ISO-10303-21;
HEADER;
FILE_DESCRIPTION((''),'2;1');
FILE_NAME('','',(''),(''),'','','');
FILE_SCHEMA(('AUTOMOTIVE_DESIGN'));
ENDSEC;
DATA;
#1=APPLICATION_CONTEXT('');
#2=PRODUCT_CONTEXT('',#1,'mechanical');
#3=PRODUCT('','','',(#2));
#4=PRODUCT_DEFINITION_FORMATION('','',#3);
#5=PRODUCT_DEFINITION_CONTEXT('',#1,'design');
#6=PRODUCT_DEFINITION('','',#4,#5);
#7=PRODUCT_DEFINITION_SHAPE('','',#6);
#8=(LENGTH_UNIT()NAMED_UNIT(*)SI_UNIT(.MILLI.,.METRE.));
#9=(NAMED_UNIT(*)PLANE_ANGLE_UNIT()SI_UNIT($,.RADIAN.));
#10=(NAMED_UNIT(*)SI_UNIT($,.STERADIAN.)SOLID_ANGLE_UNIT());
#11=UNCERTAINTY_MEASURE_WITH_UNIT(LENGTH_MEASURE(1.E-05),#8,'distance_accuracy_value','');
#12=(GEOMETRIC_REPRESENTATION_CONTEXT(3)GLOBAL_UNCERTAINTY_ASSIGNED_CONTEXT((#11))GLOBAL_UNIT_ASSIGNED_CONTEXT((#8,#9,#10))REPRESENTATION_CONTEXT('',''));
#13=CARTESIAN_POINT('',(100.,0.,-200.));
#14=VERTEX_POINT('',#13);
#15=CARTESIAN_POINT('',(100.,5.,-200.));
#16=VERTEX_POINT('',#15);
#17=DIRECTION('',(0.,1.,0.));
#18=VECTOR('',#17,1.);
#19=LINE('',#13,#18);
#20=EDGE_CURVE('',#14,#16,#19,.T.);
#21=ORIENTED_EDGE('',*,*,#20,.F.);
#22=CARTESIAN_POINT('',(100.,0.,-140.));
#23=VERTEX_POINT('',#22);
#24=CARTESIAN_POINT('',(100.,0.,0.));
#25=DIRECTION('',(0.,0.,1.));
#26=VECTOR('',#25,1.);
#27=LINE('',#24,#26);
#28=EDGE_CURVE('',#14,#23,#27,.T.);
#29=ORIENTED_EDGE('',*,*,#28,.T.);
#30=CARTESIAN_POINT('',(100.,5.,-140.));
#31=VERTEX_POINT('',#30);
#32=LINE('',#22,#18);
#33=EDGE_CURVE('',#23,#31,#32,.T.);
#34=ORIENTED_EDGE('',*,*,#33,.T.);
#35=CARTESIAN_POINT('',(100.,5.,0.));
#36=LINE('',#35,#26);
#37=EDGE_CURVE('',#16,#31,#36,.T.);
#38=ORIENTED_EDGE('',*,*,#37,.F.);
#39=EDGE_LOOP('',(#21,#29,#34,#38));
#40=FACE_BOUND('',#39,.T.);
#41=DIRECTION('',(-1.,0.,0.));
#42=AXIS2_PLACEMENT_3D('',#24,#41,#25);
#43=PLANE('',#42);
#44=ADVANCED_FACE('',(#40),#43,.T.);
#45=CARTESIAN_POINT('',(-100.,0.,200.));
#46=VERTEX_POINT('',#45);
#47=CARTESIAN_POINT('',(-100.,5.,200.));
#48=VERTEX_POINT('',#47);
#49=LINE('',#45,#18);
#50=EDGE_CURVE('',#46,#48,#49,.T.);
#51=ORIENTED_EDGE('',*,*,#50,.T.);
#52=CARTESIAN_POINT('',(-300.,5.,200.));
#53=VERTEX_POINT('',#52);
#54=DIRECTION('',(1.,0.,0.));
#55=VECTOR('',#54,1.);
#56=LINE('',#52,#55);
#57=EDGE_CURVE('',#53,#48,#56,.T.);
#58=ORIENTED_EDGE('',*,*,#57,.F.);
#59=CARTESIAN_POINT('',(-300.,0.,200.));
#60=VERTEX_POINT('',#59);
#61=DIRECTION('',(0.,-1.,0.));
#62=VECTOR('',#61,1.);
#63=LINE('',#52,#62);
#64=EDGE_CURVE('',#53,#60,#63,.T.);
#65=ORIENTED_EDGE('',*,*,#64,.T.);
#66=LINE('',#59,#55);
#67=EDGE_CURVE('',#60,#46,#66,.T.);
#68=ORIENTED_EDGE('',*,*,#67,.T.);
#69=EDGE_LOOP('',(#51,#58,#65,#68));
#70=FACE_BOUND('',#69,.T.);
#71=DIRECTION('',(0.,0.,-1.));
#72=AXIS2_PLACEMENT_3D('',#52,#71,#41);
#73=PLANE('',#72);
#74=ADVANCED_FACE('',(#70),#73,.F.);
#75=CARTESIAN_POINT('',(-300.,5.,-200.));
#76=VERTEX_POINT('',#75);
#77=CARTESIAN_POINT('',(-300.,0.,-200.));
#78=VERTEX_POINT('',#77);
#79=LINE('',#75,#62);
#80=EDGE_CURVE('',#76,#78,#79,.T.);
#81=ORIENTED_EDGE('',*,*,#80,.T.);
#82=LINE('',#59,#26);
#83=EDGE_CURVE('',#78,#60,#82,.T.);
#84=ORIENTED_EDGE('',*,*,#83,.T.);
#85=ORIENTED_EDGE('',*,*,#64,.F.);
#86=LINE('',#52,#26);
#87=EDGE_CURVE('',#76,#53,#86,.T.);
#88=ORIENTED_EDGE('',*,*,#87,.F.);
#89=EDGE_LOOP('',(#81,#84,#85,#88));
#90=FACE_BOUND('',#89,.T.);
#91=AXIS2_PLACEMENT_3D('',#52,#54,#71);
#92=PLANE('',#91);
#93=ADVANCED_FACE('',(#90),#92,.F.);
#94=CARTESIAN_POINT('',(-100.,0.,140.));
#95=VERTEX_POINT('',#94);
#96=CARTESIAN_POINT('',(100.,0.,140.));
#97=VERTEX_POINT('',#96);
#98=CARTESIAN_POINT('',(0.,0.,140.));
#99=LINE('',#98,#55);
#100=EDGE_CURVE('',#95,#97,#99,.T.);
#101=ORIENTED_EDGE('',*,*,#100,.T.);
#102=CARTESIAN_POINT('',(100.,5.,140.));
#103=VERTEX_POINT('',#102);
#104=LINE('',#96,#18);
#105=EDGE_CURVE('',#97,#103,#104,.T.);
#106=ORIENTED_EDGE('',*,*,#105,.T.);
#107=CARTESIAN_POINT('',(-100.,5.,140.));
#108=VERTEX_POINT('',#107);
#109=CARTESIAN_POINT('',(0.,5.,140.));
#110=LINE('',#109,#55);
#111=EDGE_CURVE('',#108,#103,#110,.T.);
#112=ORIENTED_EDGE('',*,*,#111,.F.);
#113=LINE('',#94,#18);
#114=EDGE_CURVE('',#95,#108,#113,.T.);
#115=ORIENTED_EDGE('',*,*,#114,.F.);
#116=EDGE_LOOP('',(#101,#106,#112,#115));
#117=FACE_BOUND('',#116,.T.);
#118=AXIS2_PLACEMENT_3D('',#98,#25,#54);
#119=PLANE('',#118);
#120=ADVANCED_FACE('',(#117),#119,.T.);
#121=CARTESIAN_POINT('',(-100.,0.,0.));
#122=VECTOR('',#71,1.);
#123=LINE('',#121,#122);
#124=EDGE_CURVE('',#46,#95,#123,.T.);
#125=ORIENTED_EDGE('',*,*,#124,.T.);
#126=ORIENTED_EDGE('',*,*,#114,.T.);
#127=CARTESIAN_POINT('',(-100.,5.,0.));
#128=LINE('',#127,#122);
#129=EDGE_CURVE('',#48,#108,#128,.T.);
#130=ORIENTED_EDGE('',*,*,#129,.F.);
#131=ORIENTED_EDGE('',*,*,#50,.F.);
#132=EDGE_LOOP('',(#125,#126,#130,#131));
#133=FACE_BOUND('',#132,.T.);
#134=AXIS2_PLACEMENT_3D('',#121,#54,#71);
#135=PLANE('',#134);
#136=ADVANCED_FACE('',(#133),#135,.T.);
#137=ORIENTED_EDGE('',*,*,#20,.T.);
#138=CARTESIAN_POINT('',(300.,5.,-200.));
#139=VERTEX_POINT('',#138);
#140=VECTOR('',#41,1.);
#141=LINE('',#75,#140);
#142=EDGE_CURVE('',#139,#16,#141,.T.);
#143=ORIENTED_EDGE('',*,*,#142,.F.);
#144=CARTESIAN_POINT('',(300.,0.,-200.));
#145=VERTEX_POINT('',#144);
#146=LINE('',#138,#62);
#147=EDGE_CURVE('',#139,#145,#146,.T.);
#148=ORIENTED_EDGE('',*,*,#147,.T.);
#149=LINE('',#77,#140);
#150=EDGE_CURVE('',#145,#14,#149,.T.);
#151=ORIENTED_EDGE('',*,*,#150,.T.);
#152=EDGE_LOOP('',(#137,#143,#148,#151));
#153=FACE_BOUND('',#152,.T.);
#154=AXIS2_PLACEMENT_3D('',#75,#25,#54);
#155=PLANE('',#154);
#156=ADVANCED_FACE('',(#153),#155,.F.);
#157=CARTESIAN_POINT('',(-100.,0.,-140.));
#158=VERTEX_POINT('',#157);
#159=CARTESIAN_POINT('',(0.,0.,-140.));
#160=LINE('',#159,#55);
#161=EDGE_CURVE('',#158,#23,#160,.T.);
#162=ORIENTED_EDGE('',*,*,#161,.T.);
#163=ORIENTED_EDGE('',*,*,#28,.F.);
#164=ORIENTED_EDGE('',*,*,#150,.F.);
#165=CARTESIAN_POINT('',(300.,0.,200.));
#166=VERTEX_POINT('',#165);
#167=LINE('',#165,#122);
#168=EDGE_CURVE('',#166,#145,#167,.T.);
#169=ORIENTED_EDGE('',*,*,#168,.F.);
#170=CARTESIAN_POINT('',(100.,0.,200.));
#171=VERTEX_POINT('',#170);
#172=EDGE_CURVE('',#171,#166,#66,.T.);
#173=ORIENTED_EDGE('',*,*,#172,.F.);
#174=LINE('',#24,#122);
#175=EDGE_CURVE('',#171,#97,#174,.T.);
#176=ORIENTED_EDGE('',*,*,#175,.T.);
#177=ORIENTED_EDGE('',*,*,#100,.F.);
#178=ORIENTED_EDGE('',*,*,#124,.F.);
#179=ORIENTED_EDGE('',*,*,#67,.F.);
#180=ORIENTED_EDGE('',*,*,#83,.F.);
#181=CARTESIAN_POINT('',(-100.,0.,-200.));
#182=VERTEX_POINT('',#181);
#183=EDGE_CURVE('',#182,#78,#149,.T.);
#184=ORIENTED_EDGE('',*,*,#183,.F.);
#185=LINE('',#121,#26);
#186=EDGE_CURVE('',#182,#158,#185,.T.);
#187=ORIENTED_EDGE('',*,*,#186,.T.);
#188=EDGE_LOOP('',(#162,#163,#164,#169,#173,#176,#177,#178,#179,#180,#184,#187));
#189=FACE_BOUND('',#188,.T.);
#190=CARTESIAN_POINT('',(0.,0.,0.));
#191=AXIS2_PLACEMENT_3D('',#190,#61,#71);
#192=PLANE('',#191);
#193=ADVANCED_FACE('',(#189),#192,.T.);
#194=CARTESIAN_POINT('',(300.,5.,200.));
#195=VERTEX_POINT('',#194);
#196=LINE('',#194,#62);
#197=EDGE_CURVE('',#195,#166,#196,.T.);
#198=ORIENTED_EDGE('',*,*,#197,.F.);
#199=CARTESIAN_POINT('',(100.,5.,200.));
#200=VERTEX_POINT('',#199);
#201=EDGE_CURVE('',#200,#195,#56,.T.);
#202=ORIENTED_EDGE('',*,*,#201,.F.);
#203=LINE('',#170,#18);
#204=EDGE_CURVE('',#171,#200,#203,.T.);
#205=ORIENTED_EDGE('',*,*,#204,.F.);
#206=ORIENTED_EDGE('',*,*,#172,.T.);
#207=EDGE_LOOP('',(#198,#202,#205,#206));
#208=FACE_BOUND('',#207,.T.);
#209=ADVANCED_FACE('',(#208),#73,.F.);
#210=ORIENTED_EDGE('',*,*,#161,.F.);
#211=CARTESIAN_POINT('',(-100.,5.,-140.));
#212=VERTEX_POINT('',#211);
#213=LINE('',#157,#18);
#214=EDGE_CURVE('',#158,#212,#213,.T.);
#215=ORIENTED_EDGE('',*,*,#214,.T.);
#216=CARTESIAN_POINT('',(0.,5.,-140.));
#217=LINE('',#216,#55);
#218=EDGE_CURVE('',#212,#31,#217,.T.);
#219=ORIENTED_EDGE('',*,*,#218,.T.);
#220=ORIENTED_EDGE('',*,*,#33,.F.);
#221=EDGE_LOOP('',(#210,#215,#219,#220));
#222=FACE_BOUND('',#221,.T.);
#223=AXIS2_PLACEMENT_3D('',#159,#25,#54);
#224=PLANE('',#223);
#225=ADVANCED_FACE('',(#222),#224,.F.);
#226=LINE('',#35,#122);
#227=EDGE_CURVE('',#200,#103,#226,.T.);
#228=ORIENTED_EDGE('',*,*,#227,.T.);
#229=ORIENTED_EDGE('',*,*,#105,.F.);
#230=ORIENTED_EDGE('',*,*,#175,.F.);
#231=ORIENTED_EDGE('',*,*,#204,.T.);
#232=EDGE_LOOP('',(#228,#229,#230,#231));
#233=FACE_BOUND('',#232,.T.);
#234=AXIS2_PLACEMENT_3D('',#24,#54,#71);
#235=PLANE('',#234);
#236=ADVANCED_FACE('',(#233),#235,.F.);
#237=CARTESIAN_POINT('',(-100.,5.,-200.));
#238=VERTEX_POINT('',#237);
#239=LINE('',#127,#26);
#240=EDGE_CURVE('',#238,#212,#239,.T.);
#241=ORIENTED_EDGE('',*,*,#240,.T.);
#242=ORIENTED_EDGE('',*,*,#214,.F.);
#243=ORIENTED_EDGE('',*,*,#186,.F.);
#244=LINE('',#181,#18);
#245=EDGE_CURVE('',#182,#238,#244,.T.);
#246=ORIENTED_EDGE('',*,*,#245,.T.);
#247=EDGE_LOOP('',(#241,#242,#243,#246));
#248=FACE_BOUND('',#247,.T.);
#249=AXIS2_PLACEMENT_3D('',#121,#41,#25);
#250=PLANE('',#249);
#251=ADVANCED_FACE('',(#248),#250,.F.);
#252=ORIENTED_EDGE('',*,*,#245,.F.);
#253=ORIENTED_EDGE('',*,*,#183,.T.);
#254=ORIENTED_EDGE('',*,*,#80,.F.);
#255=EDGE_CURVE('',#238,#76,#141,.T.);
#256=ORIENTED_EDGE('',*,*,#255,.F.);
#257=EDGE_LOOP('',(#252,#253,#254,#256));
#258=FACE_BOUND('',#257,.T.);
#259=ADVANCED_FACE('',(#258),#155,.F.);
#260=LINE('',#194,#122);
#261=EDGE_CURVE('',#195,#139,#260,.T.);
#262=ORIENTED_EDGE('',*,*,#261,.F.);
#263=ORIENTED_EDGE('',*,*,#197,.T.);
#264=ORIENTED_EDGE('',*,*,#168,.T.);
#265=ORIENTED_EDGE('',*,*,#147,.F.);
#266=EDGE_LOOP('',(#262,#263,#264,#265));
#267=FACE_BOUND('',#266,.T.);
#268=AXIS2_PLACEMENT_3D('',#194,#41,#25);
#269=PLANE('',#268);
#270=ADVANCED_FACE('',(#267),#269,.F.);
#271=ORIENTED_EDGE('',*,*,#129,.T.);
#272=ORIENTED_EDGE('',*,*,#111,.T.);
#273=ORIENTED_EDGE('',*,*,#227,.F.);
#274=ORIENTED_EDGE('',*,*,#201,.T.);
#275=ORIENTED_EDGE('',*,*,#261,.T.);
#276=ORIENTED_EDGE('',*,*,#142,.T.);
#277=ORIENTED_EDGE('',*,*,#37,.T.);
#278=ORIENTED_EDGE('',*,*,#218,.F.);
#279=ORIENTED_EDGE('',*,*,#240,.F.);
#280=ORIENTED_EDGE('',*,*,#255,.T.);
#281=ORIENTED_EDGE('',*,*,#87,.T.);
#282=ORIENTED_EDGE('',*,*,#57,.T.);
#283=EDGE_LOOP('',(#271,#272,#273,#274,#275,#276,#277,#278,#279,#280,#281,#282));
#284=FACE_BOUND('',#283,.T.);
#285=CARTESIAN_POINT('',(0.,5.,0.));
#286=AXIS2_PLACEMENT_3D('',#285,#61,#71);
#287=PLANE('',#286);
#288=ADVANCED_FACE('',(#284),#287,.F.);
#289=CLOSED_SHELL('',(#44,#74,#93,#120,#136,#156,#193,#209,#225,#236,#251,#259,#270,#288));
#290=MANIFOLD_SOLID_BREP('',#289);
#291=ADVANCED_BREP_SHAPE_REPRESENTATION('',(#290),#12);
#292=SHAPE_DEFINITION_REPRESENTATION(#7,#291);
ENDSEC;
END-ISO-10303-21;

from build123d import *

# Parameters (mm, degrees)
SKETCH1_W           = 600
SKETCH1_H           = 400
BOSS_EXTRUDE1_DEPTH = 5
SKETCH2_W           = 100
SKETCH2_H           = 60
SKETCH2_W_2         = 200
CUT_EXTRUDE1_DEPTH  = 361.589794642


with BuildPart() as part:
    # Sketch1 → Boss-Extrude1 (new body)
    with BuildSketch(Plane(origin=(0, 0, 0), x_dir=(1, 0, 0), z_dir=(0, 1, 0))):
        Rectangle(SKETCH1_W, SKETCH1_H)
    extrude(amount=BOSS_EXTRUDE1_DEPTH)

    # Sketch2 → Cut-Extrude1 (cut, through all)
    with BuildSketch(Plane(origin=(0, 5, 0), x_dir=(1, 0, 0), z_dir=(0, 1, 0))):
        with Locations((-50, 170)):
            Rectangle(SKETCH2_W, SKETCH2_H)
        with Locations((50, 170)):
            Rectangle(SKETCH2_W, SKETCH2_H)
        with Locations((0, -170)):
            Rectangle(SKETCH2_W_2, SKETCH2_H)
    extrude(amount=-CUT_EXTRUDE1_DEPTH, mode=Mode.SUBTRACT)


solid = part.part
